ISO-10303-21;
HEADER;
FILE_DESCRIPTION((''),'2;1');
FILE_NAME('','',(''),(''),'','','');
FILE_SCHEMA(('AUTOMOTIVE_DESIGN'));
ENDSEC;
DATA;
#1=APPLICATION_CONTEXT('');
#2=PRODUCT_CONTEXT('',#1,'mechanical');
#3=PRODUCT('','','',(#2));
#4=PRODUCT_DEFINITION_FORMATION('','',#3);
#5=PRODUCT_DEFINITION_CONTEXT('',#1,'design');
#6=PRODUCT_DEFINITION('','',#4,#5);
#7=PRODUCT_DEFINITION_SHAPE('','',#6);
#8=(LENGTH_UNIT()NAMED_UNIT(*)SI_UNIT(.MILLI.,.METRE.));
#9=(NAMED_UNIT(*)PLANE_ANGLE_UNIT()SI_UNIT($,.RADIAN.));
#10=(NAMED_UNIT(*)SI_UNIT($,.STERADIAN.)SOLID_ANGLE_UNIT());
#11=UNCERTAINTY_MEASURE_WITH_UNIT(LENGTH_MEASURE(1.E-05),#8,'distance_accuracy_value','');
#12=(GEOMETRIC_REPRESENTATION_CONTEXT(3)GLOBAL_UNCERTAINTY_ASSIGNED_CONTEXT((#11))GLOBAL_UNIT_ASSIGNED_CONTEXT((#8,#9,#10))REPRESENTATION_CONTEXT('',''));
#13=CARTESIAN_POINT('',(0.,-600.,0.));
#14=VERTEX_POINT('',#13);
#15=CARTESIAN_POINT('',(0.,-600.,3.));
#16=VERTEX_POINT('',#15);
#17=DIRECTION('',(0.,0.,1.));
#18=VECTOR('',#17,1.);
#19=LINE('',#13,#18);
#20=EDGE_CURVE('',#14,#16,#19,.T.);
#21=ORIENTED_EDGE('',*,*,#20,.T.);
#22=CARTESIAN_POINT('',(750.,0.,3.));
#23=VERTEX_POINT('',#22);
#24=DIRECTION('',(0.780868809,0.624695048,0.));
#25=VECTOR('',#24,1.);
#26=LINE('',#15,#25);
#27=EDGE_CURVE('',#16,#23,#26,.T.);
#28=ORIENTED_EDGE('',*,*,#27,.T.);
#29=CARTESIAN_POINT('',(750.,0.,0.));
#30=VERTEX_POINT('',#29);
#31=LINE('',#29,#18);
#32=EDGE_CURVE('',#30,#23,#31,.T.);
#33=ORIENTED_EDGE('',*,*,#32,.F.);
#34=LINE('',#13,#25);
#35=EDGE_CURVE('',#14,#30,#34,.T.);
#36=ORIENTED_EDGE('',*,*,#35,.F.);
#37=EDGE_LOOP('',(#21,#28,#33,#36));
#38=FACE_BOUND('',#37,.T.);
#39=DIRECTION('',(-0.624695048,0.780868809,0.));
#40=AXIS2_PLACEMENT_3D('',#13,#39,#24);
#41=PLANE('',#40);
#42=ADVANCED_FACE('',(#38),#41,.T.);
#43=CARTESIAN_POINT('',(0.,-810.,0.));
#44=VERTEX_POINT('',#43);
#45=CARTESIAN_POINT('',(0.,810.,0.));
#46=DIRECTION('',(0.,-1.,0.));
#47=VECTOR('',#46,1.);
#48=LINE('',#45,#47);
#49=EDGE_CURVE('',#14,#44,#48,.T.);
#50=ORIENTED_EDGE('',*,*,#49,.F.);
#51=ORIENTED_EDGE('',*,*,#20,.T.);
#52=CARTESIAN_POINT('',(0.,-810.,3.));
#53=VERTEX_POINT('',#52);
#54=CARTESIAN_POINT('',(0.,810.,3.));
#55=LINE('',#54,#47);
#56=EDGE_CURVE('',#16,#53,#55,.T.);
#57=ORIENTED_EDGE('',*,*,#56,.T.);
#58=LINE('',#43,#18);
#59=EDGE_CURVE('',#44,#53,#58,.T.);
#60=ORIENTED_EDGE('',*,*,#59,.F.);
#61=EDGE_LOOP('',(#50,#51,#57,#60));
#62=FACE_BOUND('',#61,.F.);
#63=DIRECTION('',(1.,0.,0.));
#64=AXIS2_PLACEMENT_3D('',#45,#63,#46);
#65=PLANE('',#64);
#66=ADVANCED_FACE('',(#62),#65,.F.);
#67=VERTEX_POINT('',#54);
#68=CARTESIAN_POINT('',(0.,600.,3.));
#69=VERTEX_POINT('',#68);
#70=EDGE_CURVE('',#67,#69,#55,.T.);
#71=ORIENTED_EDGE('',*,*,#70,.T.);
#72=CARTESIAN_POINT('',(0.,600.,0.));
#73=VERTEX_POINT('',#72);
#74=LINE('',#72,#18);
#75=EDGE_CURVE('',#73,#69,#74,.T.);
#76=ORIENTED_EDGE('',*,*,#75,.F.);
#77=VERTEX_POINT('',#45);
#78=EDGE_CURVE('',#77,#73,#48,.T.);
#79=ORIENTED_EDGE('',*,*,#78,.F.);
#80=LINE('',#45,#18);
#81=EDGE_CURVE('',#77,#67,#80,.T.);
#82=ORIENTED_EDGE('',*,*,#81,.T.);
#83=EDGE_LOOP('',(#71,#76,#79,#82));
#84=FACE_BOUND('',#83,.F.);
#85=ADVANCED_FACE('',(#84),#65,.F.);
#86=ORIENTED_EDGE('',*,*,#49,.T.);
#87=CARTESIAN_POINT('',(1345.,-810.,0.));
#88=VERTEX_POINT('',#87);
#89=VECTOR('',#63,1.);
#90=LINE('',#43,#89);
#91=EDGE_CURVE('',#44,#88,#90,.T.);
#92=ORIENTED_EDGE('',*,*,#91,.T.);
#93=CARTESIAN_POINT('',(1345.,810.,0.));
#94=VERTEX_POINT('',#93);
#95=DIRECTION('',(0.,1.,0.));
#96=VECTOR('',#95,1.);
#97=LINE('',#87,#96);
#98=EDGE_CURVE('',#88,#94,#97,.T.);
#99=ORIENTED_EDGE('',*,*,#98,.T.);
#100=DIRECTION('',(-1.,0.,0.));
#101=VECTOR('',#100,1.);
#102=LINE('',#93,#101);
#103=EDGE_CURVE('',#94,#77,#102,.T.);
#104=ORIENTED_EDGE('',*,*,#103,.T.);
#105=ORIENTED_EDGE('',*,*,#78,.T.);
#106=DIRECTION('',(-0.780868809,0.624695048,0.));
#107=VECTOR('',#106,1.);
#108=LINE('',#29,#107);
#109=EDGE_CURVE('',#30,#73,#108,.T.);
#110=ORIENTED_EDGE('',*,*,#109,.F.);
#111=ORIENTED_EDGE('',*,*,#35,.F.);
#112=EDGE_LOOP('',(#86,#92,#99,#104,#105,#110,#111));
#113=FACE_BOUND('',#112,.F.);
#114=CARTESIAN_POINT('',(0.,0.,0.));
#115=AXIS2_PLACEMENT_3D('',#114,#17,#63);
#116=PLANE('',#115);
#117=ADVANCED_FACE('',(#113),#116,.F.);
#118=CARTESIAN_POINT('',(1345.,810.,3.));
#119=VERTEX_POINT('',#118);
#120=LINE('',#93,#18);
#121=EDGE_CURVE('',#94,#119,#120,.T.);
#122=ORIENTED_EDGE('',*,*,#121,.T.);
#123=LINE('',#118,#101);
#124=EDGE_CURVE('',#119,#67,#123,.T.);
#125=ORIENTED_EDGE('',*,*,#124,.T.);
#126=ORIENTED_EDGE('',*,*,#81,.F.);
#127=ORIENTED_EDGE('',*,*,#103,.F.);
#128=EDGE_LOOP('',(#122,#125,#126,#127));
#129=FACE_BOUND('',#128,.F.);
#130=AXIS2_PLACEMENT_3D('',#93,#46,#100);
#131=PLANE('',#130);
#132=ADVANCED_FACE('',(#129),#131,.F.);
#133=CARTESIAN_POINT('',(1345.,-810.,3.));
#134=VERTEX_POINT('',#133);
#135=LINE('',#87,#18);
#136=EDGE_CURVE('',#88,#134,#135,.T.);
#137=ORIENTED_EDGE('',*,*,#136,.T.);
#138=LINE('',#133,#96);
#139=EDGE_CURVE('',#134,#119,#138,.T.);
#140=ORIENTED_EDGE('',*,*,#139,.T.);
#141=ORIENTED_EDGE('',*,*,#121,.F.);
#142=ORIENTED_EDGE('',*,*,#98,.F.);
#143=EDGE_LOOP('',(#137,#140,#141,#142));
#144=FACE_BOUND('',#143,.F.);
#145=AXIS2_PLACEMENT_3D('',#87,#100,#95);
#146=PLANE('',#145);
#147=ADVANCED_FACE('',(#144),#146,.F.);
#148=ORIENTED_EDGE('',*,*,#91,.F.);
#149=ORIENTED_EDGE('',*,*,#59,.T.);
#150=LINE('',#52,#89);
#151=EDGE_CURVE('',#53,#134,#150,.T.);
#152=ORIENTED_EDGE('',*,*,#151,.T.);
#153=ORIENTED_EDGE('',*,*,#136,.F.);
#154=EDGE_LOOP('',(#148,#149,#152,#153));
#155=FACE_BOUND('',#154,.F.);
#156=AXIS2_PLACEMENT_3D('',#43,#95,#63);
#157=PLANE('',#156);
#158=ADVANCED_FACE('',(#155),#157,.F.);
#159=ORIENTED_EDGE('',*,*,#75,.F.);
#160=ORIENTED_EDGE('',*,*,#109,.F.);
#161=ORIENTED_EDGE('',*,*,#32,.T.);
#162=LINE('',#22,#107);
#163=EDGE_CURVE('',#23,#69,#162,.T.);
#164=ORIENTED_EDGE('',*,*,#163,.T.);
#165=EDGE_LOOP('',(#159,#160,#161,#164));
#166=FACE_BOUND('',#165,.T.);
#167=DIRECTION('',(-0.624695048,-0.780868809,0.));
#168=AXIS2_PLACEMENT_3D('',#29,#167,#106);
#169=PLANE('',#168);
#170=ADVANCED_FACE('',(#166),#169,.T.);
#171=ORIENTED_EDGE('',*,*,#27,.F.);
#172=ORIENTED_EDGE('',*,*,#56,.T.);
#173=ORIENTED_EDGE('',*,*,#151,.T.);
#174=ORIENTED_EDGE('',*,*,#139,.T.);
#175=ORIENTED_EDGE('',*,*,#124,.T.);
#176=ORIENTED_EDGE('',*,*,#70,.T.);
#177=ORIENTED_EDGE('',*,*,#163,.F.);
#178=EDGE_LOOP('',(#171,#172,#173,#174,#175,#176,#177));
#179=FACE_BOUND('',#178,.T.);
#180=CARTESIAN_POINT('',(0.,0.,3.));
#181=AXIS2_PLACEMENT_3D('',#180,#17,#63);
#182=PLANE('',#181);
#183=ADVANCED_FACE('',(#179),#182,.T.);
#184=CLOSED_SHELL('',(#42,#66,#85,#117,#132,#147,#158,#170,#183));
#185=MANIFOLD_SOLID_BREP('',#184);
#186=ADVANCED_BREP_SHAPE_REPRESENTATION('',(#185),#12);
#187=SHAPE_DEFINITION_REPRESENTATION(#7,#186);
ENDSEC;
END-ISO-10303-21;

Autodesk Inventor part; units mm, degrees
ref_plane "YZ Plane" through (0, 0, 0) normal (1, 0, 0) x (0, 1, 0)
ref_plane "XZ Plane" through (0, 0, 0) normal (0, 1, 0) x (-1, 0, 0)
ref_plane "XY Plane" through (0, 0, 0) normal (0, 0, 1) x (1, 0, 0)
sketch "Sketch1" plane through (0, 0, 0) normal (0, 0, 1) x (1, 0, 0)
  line L0 (0, -810) -> (1345, -810)
  line L1 (1345, -810) -> (1345, 810)
  line L2 (1345, 810) -> (0, 810)
  line L3 (0, 810) -> (0, -810)
  point P0 (0, 0)
  point P1 (0, 0)
  dimension "d0" = 1345
  dimension "d1" = 1620
extrude "Plate1" add sketch "Sketch1" along normal blind 3
sketch "Sketch5" plane through (0, 0, 0) normal (0, 0, -1) x (-1, 0, 0)
  line L0 (0, -810) -> (-1345, -810) construction
  line L1 (0, 810) -> (0, -810) projected
  line L2 (-1345, 810) -> (0, 810) construction
  line L3 (-1345, -810) -> (-1345, 810) construction
  line L4 (0, -600) -> (-750, 0)
  line L5 (-750, 0) -> (0, 600)
  line L6 (12.3081, -1975.0573) -> (-487.6919, -1975.0573)
  line L7 (-487.6919, -1975.0573) -> (-487.6919, -2425.2593)
  line L8 (-487.6919, -2425.2593) -> (12.3081, -1975.0573)
  point P0 (0, 0)
  point P1 (0, 0)
  dimension "d26" = 500
  dimension "d27" = 48
  dimension "d28" = 672.8164
  dimension "d29" = 750
  dimension "d30" = 1200
extrude "Cut1" cut sketch "Sketch5" against normal blind 3 contours L1 L4 L5
equation "\"d31\" = Thickness"
equation "\"d2\" = Thickness"
equation "\"BendReliefWidth\" = Thickness"
equation "\"BendReliefDepth\" = 0.5 * Thickness"
equation "\"CornerReliefSize\" = 4 * Thickness"
equation "\"MinimumRemnant\" = 2 * Thickness"
equation "\"TransitionRadius\" = BendRadius"
equation "\"JacobiRadiusSize\" = BendRadius"
equation "\"GapSize\" = Thickness"
equation "\"Thickness\" = 3"
equation "\"BendRadius\" = 5"
properties part number "BSH 014 board cone 4" material "09g2s"
